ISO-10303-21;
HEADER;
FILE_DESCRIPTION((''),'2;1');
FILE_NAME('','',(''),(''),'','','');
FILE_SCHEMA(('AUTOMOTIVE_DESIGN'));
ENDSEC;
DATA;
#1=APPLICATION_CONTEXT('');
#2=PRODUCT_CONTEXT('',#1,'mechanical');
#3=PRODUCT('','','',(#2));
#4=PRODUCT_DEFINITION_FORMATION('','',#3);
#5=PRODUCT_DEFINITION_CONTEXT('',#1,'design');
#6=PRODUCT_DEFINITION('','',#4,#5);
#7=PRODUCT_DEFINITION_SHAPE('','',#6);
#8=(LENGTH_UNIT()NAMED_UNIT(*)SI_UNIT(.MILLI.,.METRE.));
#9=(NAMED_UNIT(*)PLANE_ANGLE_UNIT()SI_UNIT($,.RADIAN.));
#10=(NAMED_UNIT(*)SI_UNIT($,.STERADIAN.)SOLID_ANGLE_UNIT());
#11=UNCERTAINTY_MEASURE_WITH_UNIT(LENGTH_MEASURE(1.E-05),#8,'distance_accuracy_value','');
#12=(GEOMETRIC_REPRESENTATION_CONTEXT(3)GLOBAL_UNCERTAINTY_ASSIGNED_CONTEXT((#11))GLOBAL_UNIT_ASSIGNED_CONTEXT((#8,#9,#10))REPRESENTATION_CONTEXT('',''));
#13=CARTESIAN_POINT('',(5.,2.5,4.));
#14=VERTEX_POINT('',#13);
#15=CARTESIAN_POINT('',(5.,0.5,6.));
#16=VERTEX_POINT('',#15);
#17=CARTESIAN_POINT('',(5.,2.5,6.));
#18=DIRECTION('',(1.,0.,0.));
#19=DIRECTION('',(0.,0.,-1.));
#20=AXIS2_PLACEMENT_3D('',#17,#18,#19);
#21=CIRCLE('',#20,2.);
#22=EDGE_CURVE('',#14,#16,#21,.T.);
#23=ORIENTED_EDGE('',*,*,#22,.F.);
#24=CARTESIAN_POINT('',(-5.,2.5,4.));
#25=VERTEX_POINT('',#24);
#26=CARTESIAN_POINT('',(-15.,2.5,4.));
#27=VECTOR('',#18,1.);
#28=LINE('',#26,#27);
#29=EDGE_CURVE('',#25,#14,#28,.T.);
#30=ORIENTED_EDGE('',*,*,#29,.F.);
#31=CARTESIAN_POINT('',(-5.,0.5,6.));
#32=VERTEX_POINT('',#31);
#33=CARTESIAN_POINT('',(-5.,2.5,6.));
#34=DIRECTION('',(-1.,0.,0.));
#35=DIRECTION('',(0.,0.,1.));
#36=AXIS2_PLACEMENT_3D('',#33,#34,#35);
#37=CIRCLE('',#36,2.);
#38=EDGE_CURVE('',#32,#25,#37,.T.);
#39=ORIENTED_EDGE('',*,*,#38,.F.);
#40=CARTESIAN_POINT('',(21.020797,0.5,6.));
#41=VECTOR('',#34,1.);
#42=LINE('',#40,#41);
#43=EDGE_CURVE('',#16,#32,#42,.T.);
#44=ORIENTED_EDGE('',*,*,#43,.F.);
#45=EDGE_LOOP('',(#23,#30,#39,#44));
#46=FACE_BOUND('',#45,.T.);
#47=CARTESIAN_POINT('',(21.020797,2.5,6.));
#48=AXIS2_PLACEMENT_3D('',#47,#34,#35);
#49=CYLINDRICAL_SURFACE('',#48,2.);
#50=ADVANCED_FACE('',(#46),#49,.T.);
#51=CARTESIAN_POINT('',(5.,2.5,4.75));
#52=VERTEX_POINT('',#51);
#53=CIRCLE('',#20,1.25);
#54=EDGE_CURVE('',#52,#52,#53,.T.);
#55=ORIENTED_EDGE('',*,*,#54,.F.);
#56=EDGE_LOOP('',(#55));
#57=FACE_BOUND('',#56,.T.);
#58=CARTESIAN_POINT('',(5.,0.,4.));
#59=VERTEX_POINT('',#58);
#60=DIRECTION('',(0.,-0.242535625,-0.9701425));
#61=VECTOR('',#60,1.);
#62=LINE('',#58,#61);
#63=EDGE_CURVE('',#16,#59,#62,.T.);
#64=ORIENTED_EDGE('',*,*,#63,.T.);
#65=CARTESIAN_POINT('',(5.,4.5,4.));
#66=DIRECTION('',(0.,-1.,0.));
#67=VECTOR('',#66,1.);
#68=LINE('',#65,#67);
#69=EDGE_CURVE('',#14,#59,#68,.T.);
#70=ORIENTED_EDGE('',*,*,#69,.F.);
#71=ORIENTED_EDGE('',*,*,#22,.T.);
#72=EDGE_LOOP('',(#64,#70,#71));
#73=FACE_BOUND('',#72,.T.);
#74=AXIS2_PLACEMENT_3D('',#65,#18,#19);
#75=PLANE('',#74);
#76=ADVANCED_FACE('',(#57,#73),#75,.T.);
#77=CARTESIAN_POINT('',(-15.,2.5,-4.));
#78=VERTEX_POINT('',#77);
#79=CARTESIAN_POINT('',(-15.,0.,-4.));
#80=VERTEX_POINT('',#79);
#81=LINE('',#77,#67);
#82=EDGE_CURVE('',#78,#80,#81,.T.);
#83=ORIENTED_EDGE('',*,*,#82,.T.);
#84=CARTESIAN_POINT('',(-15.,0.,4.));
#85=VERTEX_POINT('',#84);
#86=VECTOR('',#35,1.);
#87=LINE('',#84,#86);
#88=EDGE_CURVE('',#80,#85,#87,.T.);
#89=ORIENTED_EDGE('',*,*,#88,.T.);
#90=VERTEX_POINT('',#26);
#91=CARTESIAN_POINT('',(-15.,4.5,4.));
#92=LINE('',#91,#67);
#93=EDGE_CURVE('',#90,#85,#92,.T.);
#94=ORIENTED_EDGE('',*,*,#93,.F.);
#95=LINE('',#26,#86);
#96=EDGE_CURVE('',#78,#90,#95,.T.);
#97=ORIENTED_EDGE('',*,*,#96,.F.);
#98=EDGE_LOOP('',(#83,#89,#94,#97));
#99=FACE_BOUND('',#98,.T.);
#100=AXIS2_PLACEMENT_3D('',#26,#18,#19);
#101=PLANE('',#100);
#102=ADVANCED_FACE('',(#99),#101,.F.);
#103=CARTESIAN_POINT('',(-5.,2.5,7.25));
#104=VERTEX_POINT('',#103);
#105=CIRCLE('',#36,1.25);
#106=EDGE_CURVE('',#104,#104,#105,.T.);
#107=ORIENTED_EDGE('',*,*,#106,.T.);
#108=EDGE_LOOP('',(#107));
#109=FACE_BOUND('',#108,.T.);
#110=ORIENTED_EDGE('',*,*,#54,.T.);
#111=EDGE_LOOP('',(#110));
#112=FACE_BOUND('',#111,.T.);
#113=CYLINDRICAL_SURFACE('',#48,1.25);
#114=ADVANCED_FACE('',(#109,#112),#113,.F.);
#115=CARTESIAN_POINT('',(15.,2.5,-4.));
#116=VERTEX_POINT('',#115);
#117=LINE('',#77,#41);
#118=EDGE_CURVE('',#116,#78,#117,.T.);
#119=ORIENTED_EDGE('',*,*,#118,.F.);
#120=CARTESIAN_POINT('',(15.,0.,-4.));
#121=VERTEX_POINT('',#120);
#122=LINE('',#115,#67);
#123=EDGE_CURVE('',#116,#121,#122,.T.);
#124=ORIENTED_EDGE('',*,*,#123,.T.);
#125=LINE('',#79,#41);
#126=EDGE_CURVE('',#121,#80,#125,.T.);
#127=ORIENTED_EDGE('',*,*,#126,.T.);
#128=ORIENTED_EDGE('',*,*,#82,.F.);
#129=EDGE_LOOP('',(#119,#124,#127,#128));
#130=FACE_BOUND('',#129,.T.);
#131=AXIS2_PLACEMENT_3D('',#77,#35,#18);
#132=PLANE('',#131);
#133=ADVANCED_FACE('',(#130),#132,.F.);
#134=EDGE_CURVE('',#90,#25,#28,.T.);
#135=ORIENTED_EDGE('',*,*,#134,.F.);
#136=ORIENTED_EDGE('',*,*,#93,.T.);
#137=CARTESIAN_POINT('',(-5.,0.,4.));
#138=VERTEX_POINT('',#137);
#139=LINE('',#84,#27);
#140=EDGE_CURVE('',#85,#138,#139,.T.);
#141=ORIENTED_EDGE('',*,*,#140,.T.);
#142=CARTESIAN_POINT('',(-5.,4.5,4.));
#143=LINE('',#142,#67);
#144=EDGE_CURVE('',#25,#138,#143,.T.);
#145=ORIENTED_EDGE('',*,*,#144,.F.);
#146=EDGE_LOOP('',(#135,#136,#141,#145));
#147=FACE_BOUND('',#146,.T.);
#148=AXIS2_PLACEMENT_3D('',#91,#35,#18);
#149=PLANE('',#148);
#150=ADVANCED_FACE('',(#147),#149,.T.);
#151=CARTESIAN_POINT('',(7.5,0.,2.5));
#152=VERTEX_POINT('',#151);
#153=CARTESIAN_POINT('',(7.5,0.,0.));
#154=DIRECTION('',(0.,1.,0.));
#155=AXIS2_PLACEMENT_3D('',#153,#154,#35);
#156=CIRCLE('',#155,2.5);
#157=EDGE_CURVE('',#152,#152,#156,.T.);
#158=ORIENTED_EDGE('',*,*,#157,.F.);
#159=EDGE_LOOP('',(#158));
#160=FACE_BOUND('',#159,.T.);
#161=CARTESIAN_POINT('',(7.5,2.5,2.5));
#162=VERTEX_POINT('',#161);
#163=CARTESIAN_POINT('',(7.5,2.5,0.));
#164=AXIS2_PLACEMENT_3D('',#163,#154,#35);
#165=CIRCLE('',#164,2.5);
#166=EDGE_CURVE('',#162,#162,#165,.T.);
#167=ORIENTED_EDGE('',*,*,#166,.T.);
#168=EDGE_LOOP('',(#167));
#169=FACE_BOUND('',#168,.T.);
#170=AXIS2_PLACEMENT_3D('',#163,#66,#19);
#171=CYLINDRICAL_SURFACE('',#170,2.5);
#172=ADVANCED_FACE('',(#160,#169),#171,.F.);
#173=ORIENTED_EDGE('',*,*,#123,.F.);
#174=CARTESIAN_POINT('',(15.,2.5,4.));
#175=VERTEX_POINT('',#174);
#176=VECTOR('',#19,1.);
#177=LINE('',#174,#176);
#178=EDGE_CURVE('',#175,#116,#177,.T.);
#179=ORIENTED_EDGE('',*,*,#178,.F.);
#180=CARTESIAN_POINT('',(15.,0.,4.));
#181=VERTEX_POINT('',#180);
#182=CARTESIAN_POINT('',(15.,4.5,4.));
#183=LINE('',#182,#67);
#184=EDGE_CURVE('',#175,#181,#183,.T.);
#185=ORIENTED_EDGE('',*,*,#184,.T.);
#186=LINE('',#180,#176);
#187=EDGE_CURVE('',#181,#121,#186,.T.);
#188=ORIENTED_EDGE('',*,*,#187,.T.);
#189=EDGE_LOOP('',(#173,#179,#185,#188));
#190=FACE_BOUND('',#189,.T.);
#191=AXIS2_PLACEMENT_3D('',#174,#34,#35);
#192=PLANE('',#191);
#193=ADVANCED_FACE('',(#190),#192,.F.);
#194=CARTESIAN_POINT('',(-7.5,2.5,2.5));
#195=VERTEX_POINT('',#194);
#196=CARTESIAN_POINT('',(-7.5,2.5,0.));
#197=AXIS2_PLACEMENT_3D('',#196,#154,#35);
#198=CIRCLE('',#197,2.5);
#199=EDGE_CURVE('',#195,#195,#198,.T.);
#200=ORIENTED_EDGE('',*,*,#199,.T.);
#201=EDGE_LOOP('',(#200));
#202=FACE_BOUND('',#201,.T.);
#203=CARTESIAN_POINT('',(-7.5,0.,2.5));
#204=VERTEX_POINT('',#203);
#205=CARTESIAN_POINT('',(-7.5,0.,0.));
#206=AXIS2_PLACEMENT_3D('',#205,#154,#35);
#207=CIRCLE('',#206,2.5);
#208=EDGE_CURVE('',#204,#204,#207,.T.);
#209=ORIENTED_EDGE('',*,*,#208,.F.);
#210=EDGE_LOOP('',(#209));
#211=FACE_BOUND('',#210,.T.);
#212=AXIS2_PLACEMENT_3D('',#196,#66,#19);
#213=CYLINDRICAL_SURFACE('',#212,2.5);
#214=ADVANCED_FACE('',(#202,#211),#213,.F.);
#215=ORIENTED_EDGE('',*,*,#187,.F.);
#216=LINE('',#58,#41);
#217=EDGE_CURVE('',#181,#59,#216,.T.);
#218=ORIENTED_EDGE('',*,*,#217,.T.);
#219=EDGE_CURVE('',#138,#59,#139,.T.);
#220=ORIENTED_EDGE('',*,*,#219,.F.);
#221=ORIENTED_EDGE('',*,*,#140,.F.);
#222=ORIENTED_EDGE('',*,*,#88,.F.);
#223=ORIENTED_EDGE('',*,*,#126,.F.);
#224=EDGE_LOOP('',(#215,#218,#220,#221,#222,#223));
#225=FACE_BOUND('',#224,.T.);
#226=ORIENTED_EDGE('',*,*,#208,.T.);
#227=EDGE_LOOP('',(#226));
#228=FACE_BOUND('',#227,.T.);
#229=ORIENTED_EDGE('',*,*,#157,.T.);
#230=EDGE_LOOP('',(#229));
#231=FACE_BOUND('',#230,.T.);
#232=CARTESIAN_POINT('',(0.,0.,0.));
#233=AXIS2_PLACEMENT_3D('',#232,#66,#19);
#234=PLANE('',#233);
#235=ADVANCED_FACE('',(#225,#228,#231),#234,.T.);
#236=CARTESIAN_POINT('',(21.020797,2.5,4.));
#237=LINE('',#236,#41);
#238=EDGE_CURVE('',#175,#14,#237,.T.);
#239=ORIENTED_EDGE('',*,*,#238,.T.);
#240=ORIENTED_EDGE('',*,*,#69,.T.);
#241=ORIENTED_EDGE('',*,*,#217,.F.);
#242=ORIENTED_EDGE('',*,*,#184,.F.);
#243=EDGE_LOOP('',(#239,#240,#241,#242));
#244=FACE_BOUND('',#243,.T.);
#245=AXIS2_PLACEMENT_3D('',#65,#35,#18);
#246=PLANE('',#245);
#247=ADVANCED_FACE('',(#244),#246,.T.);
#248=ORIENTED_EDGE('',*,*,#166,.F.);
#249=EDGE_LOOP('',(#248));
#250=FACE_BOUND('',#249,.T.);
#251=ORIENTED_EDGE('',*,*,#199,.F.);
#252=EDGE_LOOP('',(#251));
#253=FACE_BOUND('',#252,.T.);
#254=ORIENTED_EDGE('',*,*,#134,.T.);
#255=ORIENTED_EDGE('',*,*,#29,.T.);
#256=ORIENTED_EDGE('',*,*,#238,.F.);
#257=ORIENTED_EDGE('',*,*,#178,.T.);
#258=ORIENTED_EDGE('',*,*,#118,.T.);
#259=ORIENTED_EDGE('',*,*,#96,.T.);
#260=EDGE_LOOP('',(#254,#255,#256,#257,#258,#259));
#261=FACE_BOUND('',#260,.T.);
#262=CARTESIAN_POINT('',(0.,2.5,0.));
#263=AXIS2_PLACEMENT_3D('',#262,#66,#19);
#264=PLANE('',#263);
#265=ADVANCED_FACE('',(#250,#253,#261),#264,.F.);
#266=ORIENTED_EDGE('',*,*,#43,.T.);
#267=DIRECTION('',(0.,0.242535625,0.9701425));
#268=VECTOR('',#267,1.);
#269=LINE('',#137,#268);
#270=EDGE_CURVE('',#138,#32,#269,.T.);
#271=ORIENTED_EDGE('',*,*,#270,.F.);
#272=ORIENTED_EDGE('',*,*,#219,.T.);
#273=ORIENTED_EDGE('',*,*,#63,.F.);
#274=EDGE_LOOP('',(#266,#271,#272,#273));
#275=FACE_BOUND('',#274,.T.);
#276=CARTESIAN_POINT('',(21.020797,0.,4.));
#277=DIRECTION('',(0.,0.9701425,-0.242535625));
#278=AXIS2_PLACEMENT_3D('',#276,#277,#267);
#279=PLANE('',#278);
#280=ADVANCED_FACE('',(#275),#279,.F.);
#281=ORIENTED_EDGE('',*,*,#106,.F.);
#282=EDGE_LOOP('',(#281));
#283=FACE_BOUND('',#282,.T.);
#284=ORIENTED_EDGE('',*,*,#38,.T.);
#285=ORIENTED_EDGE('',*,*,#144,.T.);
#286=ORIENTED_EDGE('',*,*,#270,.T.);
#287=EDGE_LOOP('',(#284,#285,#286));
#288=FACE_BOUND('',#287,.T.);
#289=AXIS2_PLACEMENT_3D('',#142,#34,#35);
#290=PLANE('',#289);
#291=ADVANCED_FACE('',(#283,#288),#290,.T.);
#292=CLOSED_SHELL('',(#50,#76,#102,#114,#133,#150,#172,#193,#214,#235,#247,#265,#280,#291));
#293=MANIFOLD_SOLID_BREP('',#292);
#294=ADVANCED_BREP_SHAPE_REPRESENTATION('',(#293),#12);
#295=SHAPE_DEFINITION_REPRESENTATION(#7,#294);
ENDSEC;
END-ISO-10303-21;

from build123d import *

# Parameters (mm, degrees)
SKETCH1_W                       = 30
SKETCH1_H                       = 8
SKETCH1_R                       = 2.5
BOSS_EXTRUDE1_DEPTH             = 2.5
BOSS_EXTRUDE2_REACH             = 17
SKETCH2_R                       = 1.25
BOSS_EXTRUDE2_DIRECTION_2_REACH = 17
SKETCH4_W                       = 10
SKETCH4_H                       = 4
CUT_EXTRUDE2_DEPTH              = 5.5


with BuildPart() as part:
    # Sketch1 → Boss-Extrude1 (new body)
    with BuildSketch(Plane(origin=(0, 0, 0), x_dir=(1, 0, 0), z_dir=(0, 1, 0))):
        Rectangle(SKETCH1_W, SKETCH1_H)
        with Locations((-7.5, 0)):
            Circle(SKETCH1_R, mode=Mode.SUBTRACT)
        with Locations((7.5, 0)):
            Circle(SKETCH1_R, mode=Mode.SUBTRACT)
    extrude(amount=BOSS_EXTRUDE1_DEPTH)

    # Boss-Extrude2: up to this face of the body (flat: up to its plane)
    boss_extrude2_end = Plane(part.part.faces().sort_by_distance((15, 1.25, 0))[0])
    # Sketch2 → Boss-Extrude2 (add, up to the picked face)
    with BuildSketch(Plane(origin=(0, 0, 0), x_dir=(0, 0, -1), z_dir=(1, 0, 0)), mode=Mode.PRIVATE) as boss_extrude2_sk1:
        with BuildLine():
            Line((-4, 2.5), (-4, 0))
            Line((-4, 0), (-6, 0.5))
            ThreePointArc((-6, 0.5), (-7.414213562, 3.914213562), (-4, 2.5))
        make_face()
        with Locations((-6, 2.5)):
            Circle(SKETCH2_R, mode=Mode.SUBTRACT)
    boss_extrude2_tool1 = split(extrude(boss_extrude2_sk1.sketch, amount=BOSS_EXTRUDE2_REACH, mode=Mode.PRIVATE), bisect_by=boss_extrude2_end, keep=Keep.BOTH, mode=Mode.PRIVATE)
    add(boss_extrude2_tool1.solids().sort_by_distance((0, 1.25, 4.060208))[0])

    # Boss-Extrude2 direction 2: up to this face of the body (flat: up to its plane)
    boss_extrude2_direction_2_end = Plane(part.part.faces().sort_by_distance((-15, 1.25, 0))[0])
    # Sketch2 → Boss-Extrude2 direction 2 (add, up to the picked face)
    with BuildSketch(Plane(origin=(0, 0, 0), x_dir=(0, 0, -1), z_dir=(1, 0, 0)), mode=Mode.PRIVATE) as boss_extrude2_direction_2_sk1:
        with BuildLine():
            Line((-4, 2.5), (-4, 0))
            Line((-4, 0), (-6, 0.5))
            ThreePointArc((-6, 0.5), (-7.414213562, 3.914213562), (-4, 2.5))
        make_face()
        with Locations((-6, 2.5)):
            Circle(SKETCH2_R, mode=Mode.SUBTRACT)
    boss_extrude2_direction_2_tool1 = split(extrude(boss_extrude2_direction_2_sk1.sketch, amount=-BOSS_EXTRUDE2_DIRECTION_2_REACH, mode=Mode.PRIVATE), bisect_by=boss_extrude2_direction_2_end, keep=Keep.BOTH, mode=Mode.PRIVATE)
    add(boss_extrude2_direction_2_tool1.solids().sort_by_distance((0, 1.25, 4.060208))[0])

    # Sketch4 → Cut-Extrude2 (cut, through all)
    with BuildSketch(Plane(origin=(0, 0, 0), x_dir=(1, 0, 0), z_dir=(0, 1, 0))):
        with Locations((-10, -6)):
            Rectangle(SKETCH4_W, SKETCH4_H)
        with Locations((10, -6)):
            Rectangle(SKETCH4_W, SKETCH4_H)
    extrude(amount=CUT_EXTRUDE2_DEPTH, mode=Mode.SUBTRACT)


solid = part.part
